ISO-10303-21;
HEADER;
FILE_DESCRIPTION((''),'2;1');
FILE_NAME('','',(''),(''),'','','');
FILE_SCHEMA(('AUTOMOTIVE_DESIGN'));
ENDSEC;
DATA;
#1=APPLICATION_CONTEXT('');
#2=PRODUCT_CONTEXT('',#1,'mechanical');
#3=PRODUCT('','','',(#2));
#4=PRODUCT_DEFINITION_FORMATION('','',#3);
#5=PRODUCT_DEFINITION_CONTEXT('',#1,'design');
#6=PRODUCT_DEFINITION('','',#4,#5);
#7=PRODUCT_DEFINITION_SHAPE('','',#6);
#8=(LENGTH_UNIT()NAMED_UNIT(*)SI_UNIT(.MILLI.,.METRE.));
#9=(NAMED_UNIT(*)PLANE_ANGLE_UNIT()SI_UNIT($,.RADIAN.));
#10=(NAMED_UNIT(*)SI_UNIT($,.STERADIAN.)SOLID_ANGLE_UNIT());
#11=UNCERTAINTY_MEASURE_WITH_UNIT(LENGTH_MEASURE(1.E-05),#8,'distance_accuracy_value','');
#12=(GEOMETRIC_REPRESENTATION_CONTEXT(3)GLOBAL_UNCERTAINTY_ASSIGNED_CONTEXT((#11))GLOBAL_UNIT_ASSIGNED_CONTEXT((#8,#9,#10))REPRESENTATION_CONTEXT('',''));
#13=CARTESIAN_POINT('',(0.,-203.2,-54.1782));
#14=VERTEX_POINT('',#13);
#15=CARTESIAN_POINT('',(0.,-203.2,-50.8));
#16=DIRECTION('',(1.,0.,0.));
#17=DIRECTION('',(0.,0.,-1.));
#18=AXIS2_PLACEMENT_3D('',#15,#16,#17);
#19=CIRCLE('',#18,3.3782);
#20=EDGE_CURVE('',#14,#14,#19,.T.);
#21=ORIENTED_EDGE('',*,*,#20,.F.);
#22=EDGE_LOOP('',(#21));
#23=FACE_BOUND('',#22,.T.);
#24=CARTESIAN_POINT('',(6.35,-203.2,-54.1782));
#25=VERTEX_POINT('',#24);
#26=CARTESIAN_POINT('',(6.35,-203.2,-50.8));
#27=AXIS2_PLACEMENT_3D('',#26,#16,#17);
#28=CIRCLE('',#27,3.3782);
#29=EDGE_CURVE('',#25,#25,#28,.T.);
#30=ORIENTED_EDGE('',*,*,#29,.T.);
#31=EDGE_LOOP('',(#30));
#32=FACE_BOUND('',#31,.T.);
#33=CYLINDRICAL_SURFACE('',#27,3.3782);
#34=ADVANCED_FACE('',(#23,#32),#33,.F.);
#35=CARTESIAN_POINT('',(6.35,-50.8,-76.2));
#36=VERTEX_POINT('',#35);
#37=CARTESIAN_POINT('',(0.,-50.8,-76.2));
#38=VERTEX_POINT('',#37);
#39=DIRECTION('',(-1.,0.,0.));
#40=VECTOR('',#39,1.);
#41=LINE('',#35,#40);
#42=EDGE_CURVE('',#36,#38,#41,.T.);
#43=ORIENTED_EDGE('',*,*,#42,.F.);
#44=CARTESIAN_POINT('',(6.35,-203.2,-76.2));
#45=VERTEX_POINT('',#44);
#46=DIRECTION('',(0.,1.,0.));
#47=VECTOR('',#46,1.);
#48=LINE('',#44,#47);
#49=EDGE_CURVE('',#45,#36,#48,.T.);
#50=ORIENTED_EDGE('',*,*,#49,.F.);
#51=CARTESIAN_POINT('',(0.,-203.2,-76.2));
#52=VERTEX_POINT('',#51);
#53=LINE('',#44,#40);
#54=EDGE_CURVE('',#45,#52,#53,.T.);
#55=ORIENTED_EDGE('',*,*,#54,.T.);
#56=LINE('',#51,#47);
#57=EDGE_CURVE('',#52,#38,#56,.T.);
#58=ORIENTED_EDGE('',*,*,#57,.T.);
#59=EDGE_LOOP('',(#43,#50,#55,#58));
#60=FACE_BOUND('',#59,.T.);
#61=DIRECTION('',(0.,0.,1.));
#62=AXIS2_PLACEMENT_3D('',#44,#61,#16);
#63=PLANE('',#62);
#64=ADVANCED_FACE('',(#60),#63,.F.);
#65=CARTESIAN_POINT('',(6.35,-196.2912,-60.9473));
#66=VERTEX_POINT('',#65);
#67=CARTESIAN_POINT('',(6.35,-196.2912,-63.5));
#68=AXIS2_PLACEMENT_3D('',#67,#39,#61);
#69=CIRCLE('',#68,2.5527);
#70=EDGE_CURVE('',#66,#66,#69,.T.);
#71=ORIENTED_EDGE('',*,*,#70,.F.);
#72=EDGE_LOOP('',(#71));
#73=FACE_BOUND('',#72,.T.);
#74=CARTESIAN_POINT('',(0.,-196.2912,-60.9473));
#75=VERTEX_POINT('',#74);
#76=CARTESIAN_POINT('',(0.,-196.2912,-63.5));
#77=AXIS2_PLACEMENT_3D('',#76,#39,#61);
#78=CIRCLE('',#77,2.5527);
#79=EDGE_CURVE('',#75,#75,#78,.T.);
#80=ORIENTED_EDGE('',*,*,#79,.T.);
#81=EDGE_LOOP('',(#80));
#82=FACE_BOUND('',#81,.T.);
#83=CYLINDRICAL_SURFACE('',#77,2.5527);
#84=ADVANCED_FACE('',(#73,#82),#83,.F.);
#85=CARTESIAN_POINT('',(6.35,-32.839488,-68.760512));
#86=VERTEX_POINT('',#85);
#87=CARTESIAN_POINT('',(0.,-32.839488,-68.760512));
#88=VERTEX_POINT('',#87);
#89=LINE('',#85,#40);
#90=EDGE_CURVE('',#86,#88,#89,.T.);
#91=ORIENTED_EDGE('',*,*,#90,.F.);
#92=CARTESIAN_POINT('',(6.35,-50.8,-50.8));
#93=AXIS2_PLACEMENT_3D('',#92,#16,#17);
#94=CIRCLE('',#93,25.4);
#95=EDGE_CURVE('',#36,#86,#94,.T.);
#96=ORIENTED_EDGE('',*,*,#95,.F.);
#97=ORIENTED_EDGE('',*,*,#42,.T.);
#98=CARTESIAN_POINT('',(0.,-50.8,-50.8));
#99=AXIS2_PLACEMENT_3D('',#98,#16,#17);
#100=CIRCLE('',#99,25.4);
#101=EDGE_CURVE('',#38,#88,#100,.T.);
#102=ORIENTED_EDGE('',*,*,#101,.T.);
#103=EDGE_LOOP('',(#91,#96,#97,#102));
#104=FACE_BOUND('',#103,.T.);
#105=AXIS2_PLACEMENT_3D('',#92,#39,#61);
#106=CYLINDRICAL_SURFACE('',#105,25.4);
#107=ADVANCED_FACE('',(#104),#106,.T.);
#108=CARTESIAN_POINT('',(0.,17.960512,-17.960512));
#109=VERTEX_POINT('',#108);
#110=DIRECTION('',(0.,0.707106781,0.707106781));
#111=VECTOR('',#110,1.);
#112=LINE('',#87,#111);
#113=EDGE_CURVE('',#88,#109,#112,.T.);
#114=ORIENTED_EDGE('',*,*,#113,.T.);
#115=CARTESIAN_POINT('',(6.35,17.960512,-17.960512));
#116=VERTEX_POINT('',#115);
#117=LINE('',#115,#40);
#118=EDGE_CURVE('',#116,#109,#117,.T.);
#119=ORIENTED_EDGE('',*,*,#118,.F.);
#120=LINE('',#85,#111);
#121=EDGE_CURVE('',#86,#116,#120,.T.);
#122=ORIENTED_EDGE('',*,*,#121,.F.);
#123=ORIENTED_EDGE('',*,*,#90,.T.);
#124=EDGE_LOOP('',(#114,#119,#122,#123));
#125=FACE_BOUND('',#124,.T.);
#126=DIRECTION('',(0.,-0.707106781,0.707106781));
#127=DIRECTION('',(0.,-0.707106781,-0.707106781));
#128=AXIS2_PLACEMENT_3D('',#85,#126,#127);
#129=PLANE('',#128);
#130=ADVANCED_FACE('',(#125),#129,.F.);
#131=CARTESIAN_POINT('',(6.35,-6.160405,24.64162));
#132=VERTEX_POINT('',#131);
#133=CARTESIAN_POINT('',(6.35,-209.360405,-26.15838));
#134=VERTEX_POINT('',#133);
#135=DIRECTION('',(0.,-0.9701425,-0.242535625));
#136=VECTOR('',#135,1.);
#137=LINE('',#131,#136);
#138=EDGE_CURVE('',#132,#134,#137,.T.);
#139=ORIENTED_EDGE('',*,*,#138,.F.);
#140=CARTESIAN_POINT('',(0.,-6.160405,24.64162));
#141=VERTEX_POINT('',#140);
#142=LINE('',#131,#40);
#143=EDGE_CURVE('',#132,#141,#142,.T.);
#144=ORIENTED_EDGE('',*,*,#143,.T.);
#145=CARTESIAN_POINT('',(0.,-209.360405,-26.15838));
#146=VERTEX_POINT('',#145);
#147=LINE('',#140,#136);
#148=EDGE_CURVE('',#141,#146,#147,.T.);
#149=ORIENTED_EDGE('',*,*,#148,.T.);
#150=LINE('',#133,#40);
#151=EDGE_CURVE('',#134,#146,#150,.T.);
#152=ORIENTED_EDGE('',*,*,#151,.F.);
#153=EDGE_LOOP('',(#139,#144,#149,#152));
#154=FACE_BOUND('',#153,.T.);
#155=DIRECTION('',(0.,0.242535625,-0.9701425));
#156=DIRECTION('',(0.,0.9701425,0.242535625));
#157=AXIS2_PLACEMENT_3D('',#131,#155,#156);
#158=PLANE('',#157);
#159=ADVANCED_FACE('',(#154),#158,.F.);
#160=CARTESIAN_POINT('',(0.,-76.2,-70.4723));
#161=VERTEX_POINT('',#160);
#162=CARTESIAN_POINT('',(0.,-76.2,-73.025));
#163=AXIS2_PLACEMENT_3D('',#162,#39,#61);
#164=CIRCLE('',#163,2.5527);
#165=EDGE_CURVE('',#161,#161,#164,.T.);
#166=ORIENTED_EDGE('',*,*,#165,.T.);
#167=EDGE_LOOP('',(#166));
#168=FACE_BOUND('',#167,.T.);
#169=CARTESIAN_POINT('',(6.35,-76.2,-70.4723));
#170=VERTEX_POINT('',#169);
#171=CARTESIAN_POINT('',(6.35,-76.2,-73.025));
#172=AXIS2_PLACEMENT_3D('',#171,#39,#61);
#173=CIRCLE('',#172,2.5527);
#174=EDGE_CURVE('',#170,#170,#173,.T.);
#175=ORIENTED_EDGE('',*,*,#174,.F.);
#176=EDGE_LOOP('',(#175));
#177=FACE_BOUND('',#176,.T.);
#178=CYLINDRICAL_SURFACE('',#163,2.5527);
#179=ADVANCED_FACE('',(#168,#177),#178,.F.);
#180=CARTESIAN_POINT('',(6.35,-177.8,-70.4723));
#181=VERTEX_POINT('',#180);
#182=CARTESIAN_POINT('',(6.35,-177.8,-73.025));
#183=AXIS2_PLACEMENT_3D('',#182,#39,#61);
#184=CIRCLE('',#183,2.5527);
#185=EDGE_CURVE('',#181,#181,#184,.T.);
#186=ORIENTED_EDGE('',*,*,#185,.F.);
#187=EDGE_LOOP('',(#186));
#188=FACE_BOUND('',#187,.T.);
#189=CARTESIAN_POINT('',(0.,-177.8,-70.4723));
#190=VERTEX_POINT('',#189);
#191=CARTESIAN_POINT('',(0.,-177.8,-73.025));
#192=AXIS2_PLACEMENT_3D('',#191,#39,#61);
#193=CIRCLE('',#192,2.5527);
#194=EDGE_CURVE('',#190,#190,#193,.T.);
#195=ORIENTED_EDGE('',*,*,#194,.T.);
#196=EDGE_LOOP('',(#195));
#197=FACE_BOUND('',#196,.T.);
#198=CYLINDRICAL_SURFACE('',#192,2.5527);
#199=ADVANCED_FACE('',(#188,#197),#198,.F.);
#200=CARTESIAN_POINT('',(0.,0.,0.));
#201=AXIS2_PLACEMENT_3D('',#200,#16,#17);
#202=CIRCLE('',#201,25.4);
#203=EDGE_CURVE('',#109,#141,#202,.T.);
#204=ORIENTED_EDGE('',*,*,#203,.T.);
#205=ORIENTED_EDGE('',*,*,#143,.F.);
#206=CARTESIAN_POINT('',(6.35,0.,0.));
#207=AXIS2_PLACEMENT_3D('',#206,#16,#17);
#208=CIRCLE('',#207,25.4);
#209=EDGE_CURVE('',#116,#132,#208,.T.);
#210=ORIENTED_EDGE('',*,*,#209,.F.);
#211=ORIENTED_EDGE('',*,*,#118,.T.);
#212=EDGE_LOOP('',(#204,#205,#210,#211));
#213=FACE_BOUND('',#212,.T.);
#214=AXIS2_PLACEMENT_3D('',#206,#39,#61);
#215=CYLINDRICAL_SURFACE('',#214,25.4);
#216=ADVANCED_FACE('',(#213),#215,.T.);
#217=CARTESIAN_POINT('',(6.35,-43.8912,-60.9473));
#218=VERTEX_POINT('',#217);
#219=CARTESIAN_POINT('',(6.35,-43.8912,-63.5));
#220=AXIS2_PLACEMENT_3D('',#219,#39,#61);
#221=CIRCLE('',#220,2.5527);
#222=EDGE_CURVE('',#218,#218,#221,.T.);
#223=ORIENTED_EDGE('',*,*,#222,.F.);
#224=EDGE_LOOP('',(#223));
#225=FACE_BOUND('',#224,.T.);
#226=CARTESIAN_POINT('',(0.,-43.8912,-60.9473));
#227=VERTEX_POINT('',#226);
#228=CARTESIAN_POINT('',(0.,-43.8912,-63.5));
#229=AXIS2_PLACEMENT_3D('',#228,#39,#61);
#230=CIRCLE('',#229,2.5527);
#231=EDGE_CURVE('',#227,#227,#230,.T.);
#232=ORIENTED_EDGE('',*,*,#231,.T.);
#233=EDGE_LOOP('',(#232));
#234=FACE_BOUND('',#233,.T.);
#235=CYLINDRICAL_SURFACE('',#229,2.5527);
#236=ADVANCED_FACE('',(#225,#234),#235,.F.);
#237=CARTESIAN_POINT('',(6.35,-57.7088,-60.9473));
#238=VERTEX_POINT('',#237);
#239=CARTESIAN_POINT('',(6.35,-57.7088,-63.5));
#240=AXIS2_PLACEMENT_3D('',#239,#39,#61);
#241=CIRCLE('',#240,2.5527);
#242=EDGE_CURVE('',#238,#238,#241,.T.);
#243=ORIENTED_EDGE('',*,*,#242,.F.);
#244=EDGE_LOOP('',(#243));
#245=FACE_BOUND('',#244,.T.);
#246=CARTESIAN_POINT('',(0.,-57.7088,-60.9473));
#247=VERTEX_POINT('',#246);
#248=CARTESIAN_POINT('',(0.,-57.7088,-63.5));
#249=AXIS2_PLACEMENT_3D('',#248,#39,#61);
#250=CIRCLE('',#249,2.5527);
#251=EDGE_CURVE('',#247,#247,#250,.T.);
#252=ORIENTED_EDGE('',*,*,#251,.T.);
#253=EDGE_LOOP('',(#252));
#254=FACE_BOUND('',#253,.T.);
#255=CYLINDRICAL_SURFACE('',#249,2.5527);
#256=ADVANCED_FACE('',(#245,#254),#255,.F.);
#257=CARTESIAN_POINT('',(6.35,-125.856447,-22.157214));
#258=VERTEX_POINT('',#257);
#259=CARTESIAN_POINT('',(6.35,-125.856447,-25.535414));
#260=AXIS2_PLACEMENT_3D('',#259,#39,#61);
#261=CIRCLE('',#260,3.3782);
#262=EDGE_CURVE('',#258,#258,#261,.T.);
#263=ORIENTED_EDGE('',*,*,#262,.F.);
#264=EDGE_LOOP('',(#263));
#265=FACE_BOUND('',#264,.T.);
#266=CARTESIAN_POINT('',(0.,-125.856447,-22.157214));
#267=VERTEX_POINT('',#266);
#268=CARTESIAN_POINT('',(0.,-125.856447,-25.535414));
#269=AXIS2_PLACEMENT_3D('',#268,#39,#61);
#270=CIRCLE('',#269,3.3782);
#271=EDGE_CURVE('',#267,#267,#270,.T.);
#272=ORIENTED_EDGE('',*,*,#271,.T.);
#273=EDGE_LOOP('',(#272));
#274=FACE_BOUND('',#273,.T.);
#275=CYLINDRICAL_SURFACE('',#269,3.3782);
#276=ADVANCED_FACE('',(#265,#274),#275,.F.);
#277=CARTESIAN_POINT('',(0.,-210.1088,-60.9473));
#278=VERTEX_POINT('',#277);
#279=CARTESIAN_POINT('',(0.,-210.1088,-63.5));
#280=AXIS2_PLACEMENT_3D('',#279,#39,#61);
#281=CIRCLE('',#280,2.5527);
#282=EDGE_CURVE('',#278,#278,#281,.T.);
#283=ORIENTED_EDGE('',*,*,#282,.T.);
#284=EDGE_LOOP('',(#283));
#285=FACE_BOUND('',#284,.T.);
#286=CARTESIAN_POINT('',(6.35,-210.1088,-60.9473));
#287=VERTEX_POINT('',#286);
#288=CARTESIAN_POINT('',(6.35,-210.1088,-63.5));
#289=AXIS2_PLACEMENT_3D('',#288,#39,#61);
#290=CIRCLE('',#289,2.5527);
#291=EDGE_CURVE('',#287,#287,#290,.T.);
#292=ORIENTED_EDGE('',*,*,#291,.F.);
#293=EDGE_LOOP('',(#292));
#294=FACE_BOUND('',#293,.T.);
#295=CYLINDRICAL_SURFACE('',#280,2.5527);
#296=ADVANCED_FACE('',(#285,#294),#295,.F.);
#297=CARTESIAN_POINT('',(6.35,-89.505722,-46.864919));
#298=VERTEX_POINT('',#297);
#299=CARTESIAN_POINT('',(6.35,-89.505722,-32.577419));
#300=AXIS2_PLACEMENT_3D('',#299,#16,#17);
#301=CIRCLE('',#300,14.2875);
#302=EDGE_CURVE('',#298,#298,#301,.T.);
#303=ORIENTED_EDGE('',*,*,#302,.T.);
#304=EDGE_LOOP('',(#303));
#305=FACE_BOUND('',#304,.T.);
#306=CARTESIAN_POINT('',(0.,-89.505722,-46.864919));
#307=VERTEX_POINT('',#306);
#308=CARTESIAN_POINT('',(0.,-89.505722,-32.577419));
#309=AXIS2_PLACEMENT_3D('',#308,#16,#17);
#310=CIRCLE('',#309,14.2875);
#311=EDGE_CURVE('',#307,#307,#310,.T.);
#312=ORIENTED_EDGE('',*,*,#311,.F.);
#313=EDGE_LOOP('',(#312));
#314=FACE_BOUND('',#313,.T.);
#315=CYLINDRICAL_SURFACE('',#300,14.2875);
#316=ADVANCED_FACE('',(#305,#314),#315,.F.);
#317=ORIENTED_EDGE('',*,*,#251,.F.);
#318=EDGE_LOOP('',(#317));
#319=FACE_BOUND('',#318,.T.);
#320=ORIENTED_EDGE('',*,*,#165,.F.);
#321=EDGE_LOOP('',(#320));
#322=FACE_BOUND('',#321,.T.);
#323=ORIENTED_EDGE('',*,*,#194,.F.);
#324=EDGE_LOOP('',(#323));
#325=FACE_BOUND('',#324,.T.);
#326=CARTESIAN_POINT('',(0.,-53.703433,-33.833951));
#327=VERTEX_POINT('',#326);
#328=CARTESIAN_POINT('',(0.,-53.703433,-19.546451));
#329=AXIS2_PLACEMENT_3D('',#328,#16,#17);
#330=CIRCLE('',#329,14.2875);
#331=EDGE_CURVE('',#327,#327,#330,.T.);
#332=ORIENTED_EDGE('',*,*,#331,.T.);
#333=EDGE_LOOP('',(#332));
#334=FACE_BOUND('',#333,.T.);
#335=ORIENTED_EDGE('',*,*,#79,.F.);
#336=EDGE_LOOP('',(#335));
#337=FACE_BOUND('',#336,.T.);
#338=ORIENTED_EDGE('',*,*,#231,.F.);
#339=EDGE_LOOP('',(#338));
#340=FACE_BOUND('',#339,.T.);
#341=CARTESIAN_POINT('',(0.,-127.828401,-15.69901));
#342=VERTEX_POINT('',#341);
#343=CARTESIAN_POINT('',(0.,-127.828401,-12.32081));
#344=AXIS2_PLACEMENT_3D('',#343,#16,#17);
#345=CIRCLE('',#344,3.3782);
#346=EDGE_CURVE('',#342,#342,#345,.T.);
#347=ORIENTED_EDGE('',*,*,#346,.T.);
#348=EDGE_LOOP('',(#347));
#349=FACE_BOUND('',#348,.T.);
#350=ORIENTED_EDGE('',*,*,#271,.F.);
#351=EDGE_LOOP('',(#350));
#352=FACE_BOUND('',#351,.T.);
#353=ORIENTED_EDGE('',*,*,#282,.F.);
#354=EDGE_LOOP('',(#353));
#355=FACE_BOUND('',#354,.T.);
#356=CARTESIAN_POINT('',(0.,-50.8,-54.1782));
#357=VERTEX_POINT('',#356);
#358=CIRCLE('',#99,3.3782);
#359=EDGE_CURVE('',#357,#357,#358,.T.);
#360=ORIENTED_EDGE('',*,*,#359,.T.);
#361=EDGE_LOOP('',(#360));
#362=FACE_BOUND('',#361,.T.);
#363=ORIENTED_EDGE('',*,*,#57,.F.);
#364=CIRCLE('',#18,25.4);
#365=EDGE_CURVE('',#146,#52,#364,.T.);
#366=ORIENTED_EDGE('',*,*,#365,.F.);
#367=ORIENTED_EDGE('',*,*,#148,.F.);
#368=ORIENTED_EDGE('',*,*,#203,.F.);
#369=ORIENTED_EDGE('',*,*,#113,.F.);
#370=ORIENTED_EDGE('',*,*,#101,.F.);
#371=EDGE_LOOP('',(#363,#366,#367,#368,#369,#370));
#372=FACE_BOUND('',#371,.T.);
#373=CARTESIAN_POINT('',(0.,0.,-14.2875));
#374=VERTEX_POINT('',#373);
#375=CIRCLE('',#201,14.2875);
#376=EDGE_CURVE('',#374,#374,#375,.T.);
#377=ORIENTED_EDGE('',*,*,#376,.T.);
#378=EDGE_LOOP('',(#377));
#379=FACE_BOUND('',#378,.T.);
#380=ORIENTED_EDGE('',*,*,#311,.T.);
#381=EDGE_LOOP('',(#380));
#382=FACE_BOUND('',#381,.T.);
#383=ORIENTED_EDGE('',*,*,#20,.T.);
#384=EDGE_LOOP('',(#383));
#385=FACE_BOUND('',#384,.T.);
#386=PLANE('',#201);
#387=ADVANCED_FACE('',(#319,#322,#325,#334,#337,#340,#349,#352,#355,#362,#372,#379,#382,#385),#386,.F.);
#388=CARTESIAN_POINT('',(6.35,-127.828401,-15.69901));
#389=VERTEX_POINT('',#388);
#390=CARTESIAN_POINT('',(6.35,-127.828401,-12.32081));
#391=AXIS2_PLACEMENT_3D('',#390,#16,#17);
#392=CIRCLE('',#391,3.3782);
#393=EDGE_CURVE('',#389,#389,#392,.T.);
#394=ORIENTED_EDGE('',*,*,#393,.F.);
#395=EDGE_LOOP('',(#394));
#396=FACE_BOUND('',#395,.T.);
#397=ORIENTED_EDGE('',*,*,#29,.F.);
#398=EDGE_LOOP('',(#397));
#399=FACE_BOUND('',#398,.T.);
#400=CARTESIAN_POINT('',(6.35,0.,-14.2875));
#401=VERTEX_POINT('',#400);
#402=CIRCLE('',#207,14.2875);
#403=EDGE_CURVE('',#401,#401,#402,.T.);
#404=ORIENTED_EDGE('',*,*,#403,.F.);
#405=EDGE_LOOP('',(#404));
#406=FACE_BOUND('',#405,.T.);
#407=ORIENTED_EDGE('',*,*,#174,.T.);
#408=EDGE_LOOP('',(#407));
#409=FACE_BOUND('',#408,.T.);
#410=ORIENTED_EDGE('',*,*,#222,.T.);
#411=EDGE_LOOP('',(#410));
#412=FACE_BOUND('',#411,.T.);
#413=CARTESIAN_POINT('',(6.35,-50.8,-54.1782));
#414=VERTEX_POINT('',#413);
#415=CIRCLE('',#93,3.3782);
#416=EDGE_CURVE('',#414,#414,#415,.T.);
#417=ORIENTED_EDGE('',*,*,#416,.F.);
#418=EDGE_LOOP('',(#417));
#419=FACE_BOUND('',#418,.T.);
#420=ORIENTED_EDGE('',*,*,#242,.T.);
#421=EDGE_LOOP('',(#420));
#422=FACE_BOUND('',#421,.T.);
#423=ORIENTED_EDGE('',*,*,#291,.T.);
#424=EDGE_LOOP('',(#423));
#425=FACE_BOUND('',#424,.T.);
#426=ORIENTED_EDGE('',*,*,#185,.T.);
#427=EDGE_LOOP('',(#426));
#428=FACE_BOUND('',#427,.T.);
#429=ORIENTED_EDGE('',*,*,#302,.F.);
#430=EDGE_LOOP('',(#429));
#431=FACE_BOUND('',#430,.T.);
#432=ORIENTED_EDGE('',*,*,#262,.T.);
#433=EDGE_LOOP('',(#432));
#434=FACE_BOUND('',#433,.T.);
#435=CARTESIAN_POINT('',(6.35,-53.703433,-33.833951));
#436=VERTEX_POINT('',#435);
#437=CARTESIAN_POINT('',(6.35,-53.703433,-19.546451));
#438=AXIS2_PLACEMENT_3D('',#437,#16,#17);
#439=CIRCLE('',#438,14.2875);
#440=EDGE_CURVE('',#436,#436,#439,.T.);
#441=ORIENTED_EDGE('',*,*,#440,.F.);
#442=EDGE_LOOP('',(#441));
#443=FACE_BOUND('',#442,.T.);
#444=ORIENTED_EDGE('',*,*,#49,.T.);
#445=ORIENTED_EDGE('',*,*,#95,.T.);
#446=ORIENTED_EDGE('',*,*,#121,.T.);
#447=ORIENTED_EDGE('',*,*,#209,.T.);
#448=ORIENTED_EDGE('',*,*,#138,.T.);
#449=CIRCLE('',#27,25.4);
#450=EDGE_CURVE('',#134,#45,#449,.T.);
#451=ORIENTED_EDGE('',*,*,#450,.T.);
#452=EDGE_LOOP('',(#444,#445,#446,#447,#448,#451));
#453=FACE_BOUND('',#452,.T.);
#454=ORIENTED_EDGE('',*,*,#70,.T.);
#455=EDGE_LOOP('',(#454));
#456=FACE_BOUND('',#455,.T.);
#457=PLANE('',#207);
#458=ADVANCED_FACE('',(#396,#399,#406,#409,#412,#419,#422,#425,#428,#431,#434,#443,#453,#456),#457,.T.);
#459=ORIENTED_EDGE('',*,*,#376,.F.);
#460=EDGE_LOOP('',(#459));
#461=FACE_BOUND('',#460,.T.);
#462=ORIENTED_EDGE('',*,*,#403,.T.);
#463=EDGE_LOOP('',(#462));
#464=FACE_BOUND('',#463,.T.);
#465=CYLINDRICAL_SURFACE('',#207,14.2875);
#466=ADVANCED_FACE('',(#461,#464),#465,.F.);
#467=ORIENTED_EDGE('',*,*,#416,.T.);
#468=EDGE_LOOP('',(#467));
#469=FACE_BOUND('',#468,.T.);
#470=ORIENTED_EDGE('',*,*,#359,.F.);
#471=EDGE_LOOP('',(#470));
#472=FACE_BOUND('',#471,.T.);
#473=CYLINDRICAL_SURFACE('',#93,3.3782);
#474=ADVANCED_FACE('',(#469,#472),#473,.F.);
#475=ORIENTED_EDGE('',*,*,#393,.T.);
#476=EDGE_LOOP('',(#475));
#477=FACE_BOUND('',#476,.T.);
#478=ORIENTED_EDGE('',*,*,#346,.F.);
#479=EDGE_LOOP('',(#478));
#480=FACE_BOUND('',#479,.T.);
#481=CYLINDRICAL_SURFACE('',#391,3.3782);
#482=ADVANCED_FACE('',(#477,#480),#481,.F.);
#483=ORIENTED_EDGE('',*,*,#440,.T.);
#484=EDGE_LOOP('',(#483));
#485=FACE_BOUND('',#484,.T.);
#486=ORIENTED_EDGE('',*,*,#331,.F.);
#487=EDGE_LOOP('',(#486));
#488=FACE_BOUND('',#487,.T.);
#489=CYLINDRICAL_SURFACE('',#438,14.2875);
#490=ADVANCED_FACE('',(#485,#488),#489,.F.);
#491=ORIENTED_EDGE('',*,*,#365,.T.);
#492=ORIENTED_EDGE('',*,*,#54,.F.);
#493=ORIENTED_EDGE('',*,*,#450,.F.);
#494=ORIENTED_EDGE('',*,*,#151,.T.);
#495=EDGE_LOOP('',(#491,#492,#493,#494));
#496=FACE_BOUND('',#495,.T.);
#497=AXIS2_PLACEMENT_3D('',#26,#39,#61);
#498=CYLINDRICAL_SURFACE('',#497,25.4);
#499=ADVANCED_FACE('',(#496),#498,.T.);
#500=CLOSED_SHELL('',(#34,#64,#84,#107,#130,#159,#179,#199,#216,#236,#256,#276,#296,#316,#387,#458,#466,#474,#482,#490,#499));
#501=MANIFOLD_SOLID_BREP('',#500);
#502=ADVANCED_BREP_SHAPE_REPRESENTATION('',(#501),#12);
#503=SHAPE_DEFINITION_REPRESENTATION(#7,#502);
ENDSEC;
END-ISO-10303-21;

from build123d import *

# Parameters (mm, degrees)
BOSS_EXTRUDE1_DEPTH     = 6.35
F_1_1_DIAMETER_HOLE1_D  = 28.575
F_1_4_CLEARANCE_HOLE1_D = 6.7564
F_1_4_20_TAPPED_HOLE1_D = 5.1054
F_1_4_CLEARANCE_HOLE2_D = 6.7564
F_10_CLEARANCE_HOLE1_D  = 5.1054


with BuildPart() as part:
    # Sketch2 → Boss-Extrude1 (new body)
    with BuildSketch(Plane(origin=(0, 0, 0), x_dir=(0, 0, -1), z_dir=(1, 0, 0))):
        with BuildLine():
            Line((68.760512242, -32.839487758), (17.960512242, 17.960512242))
            ThreePointArc((17.960512242, 17.960512242), (-12.514549901, 22.103077632), (-24.641619504, -6.160404876))
            Line((-24.641619504, -6.160404876), (26.158380496, -209.360404876))
            ThreePointArc((26.158380496, -209.360404876), (53.903454898, -228.40969194), (76.2, -203.2))
            Line((76.2, -203.2), (76.2, -50.8))
            ThreePointArc((76.2, -50.8), (74.266540126, -41.079840818), (68.760512242, -32.839487758))
        make_face()
    extrude(amount=BOSS_EXTRUDE1_DEPTH)

    # 1 (1) Diameter Hole1 (through all)
    with Locations(Plane(origin=(6.35, 0, 0), x_dir=(0, 0, -1), z_dir=(1, 0, 0))):
        with Locations((0, 0), (19.546451191, -53.703433278), (32.577418652, -89.50572213)):
            Hole(F_1_1_DIAMETER_HOLE1_D / 2)

    # 1/4 Clearance Hole1 (through all)
    with Locations(Plane(origin=(6.35, 0, 0), x_dir=(0, 0, -1), z_dir=(1, 0, 0))):
        with Locations((50.8, -50.8), (50.8, -203.2), (12.320809752, -127.828401175)):
            Hole(F_1_4_CLEARANCE_HOLE1_D / 2)

    # 1/4-20 Tapped Hole1 (through all)
    with Locations(Plane.ZY):
        with Locations((-63.5, -57.7088), (-63.5, -43.8912), (-63.5, -210.1088), (-63.5, -196.2912)):
            Hole(F_1_4_20_TAPPED_HOLE1_D / 2)

    # 1/4 Clearance Hole2 (through all)
    with Locations(Plane.ZY):
        with Locations((-25.535413776, -125.85644657)):
            Hole(F_1_4_CLEARANCE_HOLE2_D / 2)

    # #10 Clearance Hole1 (through all)
    with Locations(Plane.ZY):
        with Locations((-73.025, -76.2), (-73.025, -177.8)):
            Hole(F_10_CLEARANCE_HOLE1_D / 2)


solid = part.part
